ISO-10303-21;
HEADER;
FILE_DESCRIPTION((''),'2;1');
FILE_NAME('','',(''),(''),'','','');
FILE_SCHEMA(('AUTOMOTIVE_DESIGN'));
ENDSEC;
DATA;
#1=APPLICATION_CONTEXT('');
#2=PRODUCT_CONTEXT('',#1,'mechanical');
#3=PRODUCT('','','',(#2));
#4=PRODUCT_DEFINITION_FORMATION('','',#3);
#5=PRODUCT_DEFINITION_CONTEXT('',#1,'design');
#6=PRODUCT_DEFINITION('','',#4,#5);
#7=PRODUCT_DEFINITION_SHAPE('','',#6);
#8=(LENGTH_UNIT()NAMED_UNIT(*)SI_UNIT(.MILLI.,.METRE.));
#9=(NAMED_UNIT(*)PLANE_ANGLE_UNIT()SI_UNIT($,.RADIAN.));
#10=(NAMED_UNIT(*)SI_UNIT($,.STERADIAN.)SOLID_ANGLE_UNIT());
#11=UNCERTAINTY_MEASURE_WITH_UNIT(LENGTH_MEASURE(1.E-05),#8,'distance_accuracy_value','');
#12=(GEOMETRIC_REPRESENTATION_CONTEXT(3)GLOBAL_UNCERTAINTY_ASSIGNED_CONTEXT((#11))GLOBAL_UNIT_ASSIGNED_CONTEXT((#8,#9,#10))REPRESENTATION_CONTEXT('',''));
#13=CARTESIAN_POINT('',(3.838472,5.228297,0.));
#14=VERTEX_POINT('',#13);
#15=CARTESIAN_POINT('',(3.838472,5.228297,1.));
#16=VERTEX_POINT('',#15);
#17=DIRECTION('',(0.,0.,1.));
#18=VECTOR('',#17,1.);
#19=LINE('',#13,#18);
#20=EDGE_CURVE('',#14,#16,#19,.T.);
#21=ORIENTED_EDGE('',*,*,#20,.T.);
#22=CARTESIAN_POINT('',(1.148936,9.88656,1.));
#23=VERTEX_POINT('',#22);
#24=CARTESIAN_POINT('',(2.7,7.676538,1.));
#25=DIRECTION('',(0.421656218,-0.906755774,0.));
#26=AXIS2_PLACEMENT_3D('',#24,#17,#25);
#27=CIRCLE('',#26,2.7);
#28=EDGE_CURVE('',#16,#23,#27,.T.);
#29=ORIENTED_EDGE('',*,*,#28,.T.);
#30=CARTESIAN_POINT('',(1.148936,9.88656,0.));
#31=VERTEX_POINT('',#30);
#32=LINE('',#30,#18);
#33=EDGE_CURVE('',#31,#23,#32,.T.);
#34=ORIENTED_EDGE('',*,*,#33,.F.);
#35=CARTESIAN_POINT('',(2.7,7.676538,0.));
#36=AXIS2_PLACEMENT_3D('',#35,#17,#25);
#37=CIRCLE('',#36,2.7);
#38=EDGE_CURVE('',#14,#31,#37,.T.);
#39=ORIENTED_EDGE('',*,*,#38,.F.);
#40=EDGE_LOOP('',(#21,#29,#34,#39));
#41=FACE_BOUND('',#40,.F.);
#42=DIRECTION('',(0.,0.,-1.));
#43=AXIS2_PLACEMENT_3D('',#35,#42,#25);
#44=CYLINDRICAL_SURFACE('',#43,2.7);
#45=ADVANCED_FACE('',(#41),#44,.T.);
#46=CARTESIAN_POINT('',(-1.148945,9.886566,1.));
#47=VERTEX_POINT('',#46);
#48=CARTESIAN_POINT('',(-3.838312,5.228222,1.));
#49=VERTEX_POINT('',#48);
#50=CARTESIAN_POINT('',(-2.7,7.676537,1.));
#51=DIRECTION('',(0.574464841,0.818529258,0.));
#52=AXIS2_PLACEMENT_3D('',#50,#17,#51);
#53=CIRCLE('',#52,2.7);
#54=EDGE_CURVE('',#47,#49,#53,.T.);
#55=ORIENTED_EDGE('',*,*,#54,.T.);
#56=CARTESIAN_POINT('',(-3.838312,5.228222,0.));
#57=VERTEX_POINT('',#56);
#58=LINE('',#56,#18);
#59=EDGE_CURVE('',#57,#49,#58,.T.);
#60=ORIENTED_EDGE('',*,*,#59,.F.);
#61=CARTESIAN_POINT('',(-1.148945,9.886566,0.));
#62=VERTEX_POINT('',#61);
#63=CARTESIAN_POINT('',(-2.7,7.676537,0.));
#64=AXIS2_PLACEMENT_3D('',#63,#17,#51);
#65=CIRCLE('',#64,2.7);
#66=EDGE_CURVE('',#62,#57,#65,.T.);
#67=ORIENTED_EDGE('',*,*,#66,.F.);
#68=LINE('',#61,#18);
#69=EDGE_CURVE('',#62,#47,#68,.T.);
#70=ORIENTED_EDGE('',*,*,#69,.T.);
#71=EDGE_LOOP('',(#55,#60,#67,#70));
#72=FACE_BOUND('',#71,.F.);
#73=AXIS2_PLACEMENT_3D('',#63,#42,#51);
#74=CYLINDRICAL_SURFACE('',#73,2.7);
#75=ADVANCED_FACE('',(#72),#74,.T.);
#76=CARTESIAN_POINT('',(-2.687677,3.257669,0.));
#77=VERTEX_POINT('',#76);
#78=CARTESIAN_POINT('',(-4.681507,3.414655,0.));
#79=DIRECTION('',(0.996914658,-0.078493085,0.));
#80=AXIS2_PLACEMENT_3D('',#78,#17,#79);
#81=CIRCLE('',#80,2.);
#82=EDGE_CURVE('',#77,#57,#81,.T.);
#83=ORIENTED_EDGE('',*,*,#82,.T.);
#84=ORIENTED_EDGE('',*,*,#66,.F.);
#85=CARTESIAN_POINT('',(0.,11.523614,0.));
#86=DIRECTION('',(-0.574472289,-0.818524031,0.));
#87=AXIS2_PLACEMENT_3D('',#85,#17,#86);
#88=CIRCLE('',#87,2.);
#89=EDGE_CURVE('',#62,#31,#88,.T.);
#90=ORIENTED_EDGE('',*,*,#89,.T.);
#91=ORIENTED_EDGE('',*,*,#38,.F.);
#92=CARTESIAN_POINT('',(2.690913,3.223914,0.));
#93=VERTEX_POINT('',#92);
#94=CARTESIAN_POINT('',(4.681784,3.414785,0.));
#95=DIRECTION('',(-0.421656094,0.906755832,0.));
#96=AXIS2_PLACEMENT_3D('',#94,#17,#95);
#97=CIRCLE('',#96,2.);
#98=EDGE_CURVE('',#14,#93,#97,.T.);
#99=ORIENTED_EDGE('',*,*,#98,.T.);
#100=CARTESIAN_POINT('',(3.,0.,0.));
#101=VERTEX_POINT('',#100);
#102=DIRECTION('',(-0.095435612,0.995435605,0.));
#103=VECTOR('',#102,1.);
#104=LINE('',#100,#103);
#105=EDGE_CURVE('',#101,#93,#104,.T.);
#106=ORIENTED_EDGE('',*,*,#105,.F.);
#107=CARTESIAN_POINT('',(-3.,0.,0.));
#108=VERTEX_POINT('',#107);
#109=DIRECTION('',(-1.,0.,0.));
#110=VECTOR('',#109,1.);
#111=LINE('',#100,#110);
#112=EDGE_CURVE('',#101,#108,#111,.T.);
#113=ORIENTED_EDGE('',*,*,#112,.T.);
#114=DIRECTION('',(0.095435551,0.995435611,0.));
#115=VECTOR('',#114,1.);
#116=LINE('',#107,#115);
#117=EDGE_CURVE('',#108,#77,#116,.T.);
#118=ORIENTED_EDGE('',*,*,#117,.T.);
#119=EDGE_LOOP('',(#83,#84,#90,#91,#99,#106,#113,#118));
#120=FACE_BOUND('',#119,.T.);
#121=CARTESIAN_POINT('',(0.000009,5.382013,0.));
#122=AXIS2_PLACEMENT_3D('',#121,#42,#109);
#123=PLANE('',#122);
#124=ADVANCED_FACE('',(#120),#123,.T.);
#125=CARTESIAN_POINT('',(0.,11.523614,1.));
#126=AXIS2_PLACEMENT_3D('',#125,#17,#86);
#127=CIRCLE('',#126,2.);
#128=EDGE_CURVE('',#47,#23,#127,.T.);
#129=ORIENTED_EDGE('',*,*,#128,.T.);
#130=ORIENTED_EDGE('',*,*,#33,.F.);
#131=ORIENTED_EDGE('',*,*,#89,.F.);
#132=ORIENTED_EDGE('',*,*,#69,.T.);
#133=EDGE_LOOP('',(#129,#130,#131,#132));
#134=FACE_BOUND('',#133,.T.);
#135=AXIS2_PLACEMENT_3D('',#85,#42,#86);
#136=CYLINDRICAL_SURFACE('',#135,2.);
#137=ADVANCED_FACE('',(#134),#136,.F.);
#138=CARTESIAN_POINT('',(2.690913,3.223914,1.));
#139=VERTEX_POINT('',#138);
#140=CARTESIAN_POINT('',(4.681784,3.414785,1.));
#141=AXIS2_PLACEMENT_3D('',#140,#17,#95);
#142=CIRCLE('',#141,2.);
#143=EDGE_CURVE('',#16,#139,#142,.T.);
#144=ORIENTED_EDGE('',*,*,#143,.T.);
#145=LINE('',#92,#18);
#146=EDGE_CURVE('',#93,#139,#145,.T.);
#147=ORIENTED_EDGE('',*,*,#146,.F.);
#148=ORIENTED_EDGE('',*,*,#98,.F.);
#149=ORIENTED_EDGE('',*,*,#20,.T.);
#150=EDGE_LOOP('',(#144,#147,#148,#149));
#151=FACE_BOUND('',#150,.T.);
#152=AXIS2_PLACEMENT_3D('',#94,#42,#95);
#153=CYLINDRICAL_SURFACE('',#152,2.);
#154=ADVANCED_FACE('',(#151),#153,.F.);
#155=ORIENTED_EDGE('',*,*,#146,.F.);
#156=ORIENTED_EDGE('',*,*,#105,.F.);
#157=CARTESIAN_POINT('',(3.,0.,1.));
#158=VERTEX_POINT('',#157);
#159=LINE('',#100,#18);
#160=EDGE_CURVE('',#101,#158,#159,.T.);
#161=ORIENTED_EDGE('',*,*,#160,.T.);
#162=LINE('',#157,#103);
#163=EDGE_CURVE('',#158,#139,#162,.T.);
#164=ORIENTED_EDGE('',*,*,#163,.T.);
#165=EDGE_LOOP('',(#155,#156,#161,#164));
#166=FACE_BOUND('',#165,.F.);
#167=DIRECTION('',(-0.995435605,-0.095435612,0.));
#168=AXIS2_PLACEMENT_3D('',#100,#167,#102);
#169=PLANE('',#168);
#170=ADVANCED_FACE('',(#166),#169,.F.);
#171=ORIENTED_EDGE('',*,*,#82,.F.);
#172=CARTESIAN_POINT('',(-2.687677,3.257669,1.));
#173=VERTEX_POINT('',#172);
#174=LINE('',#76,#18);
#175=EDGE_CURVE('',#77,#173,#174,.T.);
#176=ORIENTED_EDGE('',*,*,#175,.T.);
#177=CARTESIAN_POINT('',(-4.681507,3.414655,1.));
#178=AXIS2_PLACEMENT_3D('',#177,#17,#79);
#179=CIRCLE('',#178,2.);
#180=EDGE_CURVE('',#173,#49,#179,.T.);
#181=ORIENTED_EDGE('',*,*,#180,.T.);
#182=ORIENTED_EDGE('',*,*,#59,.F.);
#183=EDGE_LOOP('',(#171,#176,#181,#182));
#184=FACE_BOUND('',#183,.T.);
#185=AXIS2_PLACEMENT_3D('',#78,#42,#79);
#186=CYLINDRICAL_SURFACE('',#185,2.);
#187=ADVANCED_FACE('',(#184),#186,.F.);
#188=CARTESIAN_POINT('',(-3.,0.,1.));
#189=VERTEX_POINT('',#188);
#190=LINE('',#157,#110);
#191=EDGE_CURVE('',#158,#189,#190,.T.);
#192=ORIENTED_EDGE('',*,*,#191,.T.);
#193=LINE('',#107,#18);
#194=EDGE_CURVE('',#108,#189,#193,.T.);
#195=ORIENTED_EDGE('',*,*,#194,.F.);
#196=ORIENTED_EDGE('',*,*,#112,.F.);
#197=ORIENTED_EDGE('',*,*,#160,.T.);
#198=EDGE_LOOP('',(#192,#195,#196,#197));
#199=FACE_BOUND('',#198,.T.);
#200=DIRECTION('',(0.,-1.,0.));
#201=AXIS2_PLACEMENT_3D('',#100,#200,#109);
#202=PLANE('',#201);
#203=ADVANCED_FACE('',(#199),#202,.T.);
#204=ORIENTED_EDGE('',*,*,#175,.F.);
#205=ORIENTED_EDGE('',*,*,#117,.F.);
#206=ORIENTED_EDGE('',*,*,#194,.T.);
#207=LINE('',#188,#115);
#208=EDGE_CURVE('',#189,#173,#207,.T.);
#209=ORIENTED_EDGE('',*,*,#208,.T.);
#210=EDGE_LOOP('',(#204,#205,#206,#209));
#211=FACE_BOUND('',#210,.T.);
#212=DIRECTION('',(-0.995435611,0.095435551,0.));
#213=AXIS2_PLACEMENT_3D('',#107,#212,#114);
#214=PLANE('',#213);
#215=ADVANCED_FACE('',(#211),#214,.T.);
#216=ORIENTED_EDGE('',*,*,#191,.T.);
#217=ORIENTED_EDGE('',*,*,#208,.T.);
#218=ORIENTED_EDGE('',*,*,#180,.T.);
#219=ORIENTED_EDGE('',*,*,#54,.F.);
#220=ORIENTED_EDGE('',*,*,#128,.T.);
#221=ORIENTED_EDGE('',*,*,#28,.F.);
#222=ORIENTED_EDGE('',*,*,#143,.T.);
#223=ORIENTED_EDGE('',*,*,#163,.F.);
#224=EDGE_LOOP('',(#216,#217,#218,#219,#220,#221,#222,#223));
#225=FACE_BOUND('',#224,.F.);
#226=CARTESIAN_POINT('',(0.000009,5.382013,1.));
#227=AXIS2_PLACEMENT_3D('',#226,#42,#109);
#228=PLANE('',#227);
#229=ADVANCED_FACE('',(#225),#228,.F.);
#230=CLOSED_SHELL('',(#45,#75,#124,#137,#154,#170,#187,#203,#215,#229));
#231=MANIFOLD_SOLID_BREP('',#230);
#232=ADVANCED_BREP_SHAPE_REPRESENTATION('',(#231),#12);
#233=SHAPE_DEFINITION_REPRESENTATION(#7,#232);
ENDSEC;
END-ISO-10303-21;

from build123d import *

# Parameters (mm, degrees)
PAD_DEPTH = 1


with BuildPart() as part:
    # Sketch → Pad (new body)
    with BuildSketch(Plane.XY):
        with BuildLine():
            Line((3, 0), (-3, 0))
            Line((-3, 0), (-2.687677, 3.257669))
            ThreePointArc((-2.687677, 3.257669), (-2.954386, 4.423147), (-3.838312, 5.228222))
            ThreePointArc((-1.148945, 9.886566), (-5.038297, 9.026488), (-3.838312, 5.228222))
            ThreePointArc((-1.148945, 9.886566), (-6e-06, 9.523614), (1.148936, 9.88656))
            ThreePointArc((3.838472, 5.228297), (5.03825, 9.02657), (1.148936, 9.88656))
            ThreePointArc((3.838472, 5.228297), (2.946118, 4.408497), (2.690913, 3.223914))
            Line((3, 0), (2.690913, 3.223914))
        make_face()
    extrude(amount=PAD_DEPTH)


solid = part.part
